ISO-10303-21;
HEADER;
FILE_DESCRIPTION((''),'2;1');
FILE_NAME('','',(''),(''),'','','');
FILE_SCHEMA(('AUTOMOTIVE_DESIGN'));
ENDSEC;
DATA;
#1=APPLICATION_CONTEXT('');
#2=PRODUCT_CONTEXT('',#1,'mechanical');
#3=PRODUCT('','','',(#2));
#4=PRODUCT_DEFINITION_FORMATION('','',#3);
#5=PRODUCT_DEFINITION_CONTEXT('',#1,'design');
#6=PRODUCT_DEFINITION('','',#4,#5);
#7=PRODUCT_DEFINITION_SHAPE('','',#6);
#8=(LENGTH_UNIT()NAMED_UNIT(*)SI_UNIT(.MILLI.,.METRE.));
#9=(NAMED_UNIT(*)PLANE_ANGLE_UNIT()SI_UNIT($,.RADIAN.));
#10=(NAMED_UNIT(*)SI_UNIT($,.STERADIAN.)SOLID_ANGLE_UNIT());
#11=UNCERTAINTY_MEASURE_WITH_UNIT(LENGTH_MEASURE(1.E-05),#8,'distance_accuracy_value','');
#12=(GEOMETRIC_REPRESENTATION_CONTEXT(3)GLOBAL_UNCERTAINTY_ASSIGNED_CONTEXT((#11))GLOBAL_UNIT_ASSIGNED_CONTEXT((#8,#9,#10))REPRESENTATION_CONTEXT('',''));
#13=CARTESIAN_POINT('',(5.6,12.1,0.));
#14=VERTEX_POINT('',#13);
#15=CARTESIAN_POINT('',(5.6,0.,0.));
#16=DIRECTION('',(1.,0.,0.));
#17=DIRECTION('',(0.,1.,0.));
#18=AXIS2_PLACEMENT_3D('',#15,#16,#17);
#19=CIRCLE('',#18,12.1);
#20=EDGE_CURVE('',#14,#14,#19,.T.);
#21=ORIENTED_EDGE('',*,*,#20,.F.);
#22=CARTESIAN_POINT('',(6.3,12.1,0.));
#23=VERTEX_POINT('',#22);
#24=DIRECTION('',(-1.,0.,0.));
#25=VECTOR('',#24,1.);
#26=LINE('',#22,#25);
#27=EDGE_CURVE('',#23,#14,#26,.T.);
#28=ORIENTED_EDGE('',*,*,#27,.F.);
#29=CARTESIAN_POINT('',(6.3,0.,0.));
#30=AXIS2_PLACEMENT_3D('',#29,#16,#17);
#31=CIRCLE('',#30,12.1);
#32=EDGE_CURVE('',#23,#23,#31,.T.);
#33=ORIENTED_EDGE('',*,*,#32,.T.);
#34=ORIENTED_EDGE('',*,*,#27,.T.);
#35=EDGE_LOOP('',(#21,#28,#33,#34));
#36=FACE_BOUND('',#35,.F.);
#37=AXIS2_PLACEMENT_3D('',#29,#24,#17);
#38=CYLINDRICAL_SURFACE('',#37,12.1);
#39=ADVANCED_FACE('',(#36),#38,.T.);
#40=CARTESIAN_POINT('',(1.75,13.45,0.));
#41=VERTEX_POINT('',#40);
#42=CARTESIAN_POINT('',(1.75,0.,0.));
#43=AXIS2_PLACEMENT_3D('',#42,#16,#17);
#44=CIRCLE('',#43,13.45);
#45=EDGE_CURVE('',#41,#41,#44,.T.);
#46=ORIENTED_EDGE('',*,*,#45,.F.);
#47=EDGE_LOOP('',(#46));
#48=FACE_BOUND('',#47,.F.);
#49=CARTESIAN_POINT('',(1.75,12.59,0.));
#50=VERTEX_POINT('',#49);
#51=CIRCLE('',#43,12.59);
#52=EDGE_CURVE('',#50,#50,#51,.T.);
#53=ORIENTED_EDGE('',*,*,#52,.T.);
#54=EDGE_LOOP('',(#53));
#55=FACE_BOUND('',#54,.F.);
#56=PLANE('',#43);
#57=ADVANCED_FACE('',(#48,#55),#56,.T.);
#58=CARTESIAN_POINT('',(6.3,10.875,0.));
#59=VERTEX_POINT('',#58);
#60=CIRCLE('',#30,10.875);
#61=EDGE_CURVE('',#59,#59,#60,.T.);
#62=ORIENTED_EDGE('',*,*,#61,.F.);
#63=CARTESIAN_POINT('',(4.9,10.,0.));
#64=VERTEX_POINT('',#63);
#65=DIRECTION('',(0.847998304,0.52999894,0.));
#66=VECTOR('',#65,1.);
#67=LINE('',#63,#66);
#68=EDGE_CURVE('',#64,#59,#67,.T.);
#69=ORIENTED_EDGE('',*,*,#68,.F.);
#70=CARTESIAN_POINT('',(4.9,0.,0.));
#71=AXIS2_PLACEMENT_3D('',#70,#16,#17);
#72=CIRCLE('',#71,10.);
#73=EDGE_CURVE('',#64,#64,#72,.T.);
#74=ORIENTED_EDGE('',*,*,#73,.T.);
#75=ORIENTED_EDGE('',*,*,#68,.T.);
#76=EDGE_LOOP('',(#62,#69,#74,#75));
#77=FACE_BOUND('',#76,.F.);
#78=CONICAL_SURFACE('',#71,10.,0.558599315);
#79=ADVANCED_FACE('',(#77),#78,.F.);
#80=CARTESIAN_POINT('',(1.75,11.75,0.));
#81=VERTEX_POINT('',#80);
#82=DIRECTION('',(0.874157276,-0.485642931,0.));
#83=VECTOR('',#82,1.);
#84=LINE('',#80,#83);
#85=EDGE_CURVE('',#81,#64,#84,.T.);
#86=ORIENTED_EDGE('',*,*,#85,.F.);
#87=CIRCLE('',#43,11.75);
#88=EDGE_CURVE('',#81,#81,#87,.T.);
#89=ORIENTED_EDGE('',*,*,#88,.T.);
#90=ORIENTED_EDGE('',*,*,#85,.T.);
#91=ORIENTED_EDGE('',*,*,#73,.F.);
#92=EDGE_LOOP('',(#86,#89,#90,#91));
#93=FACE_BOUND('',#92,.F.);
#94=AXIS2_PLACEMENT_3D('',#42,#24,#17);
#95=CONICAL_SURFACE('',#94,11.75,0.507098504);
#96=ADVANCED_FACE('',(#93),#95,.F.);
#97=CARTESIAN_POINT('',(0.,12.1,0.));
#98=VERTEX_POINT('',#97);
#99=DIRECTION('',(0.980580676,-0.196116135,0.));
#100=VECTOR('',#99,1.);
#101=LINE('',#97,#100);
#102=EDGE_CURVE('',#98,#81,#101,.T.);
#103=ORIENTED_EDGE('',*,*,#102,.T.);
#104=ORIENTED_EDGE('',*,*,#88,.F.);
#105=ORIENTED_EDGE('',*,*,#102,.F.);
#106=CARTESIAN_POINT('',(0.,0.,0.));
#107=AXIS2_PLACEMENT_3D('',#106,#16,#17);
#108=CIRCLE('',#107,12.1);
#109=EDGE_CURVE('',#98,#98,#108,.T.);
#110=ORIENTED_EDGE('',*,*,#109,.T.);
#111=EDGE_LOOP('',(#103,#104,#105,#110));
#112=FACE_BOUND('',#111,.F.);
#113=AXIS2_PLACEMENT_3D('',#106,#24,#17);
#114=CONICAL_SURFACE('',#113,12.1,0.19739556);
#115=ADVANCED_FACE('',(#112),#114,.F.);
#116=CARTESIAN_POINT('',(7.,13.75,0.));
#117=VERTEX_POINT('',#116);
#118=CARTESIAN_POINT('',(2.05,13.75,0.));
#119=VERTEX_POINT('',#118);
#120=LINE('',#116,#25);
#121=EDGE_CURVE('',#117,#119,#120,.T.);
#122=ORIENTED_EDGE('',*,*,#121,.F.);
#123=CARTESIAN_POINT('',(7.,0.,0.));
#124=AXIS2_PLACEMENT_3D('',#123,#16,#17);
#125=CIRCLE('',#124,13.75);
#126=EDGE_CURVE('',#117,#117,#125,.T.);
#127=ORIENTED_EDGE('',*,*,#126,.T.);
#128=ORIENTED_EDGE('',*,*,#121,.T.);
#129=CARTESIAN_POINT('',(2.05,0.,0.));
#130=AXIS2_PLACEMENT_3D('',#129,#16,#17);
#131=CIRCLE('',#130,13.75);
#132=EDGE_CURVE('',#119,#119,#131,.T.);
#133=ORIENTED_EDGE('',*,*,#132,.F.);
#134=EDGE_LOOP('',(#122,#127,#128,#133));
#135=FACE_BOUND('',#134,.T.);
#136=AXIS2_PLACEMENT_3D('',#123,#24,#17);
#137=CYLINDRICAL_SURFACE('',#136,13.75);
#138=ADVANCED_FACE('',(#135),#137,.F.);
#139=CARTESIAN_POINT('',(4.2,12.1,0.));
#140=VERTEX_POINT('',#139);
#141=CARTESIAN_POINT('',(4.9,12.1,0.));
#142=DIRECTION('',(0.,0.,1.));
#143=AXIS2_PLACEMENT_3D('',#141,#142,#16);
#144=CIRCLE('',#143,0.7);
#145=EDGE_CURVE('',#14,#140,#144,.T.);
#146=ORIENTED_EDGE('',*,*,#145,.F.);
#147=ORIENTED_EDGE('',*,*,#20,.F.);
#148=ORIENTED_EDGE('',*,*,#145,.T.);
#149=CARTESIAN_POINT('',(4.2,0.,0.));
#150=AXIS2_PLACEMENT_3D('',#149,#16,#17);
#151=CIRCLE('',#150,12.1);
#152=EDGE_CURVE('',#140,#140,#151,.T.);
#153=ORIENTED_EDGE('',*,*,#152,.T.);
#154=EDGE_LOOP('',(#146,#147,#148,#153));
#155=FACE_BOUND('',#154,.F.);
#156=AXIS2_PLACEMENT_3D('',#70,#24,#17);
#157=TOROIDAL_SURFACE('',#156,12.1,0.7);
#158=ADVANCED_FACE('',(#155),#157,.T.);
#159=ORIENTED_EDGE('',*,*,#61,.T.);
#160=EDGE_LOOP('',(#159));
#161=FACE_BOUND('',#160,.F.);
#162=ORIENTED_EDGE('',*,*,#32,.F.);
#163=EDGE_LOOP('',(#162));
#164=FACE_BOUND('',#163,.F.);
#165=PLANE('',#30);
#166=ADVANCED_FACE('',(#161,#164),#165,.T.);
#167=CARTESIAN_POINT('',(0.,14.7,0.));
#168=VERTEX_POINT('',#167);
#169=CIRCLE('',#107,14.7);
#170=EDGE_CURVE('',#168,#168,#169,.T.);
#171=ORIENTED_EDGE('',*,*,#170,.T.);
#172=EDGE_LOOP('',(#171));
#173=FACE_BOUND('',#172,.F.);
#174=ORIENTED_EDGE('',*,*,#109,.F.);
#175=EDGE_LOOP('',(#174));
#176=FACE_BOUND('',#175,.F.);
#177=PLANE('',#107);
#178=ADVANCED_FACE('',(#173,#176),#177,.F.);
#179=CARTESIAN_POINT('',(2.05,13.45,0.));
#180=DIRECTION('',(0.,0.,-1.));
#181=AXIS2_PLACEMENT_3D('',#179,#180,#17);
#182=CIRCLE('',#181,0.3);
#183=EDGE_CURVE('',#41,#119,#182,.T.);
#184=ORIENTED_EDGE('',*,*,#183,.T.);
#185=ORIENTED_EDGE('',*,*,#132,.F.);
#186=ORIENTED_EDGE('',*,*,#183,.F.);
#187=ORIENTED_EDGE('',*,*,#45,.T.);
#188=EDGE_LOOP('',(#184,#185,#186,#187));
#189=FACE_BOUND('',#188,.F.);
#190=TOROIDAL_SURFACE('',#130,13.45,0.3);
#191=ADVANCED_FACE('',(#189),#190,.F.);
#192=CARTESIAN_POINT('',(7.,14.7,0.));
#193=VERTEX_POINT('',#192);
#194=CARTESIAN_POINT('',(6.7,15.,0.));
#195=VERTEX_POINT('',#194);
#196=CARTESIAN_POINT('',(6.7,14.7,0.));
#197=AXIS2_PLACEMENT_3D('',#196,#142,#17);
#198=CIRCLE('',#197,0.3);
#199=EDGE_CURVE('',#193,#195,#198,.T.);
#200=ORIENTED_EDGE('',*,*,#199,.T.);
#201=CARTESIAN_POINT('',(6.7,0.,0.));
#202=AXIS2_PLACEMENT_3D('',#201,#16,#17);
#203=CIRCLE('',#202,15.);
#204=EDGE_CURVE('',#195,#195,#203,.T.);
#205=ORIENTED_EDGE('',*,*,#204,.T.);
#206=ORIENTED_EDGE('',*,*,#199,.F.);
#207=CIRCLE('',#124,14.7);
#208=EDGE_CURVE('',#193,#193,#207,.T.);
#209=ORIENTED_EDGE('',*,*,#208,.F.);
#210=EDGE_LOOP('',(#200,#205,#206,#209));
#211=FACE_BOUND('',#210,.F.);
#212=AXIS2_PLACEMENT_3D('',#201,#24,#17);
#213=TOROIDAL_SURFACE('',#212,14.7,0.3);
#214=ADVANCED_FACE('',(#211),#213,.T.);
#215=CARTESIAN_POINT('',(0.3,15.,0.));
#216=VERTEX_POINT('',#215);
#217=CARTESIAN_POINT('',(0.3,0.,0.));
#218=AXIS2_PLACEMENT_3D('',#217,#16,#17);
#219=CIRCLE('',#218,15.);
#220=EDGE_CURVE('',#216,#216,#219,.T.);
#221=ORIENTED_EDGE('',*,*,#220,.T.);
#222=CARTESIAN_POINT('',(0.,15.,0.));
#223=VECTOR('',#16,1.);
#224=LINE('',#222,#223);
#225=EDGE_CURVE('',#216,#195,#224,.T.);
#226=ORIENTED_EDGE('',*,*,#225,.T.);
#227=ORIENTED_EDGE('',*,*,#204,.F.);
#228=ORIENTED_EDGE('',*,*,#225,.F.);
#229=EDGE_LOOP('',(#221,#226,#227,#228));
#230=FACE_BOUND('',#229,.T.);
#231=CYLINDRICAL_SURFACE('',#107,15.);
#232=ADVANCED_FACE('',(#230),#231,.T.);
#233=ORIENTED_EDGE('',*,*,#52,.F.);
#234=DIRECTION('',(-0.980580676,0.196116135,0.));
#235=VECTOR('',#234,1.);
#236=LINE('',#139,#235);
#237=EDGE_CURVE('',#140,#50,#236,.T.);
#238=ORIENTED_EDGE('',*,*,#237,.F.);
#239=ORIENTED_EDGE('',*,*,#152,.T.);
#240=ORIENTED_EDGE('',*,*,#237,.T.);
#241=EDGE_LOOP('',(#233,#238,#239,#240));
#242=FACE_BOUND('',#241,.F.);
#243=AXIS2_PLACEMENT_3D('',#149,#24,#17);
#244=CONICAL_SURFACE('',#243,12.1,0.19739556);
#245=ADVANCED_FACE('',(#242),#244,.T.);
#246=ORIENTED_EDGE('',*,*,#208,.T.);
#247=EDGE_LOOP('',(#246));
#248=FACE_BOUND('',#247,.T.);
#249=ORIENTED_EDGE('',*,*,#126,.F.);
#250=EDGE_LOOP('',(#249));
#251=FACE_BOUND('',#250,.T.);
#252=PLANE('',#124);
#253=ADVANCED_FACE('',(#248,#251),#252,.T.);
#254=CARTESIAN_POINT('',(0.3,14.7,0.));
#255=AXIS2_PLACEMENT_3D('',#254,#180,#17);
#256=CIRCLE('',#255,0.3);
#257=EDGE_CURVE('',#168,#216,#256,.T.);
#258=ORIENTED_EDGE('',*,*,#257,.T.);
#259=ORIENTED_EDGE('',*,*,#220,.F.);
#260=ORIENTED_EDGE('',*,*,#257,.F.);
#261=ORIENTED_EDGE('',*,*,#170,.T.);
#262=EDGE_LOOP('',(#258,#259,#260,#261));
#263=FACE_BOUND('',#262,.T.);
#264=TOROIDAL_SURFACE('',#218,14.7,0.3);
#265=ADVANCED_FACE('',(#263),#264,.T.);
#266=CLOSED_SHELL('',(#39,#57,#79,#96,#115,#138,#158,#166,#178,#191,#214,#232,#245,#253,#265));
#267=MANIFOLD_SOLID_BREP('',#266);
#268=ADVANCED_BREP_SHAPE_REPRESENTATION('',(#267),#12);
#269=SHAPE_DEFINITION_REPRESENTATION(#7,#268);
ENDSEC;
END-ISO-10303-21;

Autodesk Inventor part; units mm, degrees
ref_plane "YZ Plane" through (0, 0, 0) normal (1, 0, 0) x (0, 1, 0)
ref_plane "XZ Plane" through (0, 0, 0) normal (0, 1, 0) x (-1, 0, 0)
ref_plane "XY Plane" through (0, 0, 0) normal (0, 0, 1) x (1, 0, 0)
sketch "Skizze1" plane through (0, 0, 0) normal (0, 0, 1) x (1, 0, 0)
  circle A0 centre (4.9, 12.1) radius 0.455
  circle A1 centre (4.9, 12.1) radius 0.7
  line L0 (6.3, 10.875) -> (6.3, 12.1)
  line L1 (0, 15) -> (7, 15)
  line L2 (7, 15) -> (7, 13.75)
  line L3 (7, 13.75) -> (1.75, 13.75)
  line L4 (0, 0) -> (9.5856, 0)
  line L5 (0, 15) -> (0, 12.1)
  line L6 (0, 12.1) -> (1.75, 11.75)
  line L7 (1.75, 11.75) -> (4.9, 10)
  line L8 (4.9, 10) -> (6.3, 10.875)
  line L9 (4.9, 10) -> (0, 10) construction
  line L10 (0, 18) -> (0, -3) projected
  line L11 (-1.9171, 0) -> (11.5027, 0) projected
  line L12 (4.2, 12.1) -> (1.75, 12.59)
  line L13 (1.75, 12.59) -> (1.75, 13.75)
  line L14 (6.3, 12.1) -> (5.6, 12.1)
  dimension "d0" = 30
  dimension "d1" = 21.75
  dimension "d2" = 1.25
  dimension "d3" = 0.91
  dimension "d4" = 1.4
  dimension "d5" = 20
  dimension "d6" = 23.5
  dimension "d7" = 24.2
  dimension "d8" = 4.9
  dimension "d9" = 6.3
  dimension "d10" = 7
  dimension "d12" = 1.75
revolve "Körper" add sketch "Skizze1" angle 360 about axis through (0, 0, 0) along (1, 0, 0) contours L14 L0 L8 L7 L6 L5 L1 L2 L3 L13 L12 A1
revolve "Feder1" add sketch "Skizze1" angle 360 about axis through (0, 0, 0) along (1, 0, 0) contours A0 | A1
fillet "Rundung1" radius 0.3 3 edges at (7, -15, 0) (1.75, -13.75, 0) (0, -15, 0)
equation "\"d0\" = SD2"
equation "\"d1\" = ABDM"
equation "\"d3\" = SPDI"
equation "\"d4\" = SPDA"
equation "\"d5\" = NND"
equation "\"d6\" = TKDM"
equation "\"d7\" = HLDM"
equation "\"d8\" = SPDST"
equation "\"d9\" = SDI"
equation "\"d10\" = SWDT"
equation "\"d12\" = SD"
equation "\"d11\" = RR"
equation "\"SD2\" = 30"
equation "\"SWDT\" = 7"
equation "\"RR\" = 0.3"
equation "\"SD\" = 1.75"
equation "\"NND\" = 20"
equation "\"SPDA\" = 1.4"
equation "\"SPDI\" = 0.91"
equation "\"TKDM\" = 23.5"
equation "\"HLDM\" = 24.2"
equation "\"ABDM\" = 21.75"
equation "\"SDI\" = 6.3"
equation "\"SPDST\" = 4.9"
equation "\"LAB\" = 0.35"
properties part number "DIN 3760 - A - 20 x 30 x 7 - NBR" material "Gummi"
